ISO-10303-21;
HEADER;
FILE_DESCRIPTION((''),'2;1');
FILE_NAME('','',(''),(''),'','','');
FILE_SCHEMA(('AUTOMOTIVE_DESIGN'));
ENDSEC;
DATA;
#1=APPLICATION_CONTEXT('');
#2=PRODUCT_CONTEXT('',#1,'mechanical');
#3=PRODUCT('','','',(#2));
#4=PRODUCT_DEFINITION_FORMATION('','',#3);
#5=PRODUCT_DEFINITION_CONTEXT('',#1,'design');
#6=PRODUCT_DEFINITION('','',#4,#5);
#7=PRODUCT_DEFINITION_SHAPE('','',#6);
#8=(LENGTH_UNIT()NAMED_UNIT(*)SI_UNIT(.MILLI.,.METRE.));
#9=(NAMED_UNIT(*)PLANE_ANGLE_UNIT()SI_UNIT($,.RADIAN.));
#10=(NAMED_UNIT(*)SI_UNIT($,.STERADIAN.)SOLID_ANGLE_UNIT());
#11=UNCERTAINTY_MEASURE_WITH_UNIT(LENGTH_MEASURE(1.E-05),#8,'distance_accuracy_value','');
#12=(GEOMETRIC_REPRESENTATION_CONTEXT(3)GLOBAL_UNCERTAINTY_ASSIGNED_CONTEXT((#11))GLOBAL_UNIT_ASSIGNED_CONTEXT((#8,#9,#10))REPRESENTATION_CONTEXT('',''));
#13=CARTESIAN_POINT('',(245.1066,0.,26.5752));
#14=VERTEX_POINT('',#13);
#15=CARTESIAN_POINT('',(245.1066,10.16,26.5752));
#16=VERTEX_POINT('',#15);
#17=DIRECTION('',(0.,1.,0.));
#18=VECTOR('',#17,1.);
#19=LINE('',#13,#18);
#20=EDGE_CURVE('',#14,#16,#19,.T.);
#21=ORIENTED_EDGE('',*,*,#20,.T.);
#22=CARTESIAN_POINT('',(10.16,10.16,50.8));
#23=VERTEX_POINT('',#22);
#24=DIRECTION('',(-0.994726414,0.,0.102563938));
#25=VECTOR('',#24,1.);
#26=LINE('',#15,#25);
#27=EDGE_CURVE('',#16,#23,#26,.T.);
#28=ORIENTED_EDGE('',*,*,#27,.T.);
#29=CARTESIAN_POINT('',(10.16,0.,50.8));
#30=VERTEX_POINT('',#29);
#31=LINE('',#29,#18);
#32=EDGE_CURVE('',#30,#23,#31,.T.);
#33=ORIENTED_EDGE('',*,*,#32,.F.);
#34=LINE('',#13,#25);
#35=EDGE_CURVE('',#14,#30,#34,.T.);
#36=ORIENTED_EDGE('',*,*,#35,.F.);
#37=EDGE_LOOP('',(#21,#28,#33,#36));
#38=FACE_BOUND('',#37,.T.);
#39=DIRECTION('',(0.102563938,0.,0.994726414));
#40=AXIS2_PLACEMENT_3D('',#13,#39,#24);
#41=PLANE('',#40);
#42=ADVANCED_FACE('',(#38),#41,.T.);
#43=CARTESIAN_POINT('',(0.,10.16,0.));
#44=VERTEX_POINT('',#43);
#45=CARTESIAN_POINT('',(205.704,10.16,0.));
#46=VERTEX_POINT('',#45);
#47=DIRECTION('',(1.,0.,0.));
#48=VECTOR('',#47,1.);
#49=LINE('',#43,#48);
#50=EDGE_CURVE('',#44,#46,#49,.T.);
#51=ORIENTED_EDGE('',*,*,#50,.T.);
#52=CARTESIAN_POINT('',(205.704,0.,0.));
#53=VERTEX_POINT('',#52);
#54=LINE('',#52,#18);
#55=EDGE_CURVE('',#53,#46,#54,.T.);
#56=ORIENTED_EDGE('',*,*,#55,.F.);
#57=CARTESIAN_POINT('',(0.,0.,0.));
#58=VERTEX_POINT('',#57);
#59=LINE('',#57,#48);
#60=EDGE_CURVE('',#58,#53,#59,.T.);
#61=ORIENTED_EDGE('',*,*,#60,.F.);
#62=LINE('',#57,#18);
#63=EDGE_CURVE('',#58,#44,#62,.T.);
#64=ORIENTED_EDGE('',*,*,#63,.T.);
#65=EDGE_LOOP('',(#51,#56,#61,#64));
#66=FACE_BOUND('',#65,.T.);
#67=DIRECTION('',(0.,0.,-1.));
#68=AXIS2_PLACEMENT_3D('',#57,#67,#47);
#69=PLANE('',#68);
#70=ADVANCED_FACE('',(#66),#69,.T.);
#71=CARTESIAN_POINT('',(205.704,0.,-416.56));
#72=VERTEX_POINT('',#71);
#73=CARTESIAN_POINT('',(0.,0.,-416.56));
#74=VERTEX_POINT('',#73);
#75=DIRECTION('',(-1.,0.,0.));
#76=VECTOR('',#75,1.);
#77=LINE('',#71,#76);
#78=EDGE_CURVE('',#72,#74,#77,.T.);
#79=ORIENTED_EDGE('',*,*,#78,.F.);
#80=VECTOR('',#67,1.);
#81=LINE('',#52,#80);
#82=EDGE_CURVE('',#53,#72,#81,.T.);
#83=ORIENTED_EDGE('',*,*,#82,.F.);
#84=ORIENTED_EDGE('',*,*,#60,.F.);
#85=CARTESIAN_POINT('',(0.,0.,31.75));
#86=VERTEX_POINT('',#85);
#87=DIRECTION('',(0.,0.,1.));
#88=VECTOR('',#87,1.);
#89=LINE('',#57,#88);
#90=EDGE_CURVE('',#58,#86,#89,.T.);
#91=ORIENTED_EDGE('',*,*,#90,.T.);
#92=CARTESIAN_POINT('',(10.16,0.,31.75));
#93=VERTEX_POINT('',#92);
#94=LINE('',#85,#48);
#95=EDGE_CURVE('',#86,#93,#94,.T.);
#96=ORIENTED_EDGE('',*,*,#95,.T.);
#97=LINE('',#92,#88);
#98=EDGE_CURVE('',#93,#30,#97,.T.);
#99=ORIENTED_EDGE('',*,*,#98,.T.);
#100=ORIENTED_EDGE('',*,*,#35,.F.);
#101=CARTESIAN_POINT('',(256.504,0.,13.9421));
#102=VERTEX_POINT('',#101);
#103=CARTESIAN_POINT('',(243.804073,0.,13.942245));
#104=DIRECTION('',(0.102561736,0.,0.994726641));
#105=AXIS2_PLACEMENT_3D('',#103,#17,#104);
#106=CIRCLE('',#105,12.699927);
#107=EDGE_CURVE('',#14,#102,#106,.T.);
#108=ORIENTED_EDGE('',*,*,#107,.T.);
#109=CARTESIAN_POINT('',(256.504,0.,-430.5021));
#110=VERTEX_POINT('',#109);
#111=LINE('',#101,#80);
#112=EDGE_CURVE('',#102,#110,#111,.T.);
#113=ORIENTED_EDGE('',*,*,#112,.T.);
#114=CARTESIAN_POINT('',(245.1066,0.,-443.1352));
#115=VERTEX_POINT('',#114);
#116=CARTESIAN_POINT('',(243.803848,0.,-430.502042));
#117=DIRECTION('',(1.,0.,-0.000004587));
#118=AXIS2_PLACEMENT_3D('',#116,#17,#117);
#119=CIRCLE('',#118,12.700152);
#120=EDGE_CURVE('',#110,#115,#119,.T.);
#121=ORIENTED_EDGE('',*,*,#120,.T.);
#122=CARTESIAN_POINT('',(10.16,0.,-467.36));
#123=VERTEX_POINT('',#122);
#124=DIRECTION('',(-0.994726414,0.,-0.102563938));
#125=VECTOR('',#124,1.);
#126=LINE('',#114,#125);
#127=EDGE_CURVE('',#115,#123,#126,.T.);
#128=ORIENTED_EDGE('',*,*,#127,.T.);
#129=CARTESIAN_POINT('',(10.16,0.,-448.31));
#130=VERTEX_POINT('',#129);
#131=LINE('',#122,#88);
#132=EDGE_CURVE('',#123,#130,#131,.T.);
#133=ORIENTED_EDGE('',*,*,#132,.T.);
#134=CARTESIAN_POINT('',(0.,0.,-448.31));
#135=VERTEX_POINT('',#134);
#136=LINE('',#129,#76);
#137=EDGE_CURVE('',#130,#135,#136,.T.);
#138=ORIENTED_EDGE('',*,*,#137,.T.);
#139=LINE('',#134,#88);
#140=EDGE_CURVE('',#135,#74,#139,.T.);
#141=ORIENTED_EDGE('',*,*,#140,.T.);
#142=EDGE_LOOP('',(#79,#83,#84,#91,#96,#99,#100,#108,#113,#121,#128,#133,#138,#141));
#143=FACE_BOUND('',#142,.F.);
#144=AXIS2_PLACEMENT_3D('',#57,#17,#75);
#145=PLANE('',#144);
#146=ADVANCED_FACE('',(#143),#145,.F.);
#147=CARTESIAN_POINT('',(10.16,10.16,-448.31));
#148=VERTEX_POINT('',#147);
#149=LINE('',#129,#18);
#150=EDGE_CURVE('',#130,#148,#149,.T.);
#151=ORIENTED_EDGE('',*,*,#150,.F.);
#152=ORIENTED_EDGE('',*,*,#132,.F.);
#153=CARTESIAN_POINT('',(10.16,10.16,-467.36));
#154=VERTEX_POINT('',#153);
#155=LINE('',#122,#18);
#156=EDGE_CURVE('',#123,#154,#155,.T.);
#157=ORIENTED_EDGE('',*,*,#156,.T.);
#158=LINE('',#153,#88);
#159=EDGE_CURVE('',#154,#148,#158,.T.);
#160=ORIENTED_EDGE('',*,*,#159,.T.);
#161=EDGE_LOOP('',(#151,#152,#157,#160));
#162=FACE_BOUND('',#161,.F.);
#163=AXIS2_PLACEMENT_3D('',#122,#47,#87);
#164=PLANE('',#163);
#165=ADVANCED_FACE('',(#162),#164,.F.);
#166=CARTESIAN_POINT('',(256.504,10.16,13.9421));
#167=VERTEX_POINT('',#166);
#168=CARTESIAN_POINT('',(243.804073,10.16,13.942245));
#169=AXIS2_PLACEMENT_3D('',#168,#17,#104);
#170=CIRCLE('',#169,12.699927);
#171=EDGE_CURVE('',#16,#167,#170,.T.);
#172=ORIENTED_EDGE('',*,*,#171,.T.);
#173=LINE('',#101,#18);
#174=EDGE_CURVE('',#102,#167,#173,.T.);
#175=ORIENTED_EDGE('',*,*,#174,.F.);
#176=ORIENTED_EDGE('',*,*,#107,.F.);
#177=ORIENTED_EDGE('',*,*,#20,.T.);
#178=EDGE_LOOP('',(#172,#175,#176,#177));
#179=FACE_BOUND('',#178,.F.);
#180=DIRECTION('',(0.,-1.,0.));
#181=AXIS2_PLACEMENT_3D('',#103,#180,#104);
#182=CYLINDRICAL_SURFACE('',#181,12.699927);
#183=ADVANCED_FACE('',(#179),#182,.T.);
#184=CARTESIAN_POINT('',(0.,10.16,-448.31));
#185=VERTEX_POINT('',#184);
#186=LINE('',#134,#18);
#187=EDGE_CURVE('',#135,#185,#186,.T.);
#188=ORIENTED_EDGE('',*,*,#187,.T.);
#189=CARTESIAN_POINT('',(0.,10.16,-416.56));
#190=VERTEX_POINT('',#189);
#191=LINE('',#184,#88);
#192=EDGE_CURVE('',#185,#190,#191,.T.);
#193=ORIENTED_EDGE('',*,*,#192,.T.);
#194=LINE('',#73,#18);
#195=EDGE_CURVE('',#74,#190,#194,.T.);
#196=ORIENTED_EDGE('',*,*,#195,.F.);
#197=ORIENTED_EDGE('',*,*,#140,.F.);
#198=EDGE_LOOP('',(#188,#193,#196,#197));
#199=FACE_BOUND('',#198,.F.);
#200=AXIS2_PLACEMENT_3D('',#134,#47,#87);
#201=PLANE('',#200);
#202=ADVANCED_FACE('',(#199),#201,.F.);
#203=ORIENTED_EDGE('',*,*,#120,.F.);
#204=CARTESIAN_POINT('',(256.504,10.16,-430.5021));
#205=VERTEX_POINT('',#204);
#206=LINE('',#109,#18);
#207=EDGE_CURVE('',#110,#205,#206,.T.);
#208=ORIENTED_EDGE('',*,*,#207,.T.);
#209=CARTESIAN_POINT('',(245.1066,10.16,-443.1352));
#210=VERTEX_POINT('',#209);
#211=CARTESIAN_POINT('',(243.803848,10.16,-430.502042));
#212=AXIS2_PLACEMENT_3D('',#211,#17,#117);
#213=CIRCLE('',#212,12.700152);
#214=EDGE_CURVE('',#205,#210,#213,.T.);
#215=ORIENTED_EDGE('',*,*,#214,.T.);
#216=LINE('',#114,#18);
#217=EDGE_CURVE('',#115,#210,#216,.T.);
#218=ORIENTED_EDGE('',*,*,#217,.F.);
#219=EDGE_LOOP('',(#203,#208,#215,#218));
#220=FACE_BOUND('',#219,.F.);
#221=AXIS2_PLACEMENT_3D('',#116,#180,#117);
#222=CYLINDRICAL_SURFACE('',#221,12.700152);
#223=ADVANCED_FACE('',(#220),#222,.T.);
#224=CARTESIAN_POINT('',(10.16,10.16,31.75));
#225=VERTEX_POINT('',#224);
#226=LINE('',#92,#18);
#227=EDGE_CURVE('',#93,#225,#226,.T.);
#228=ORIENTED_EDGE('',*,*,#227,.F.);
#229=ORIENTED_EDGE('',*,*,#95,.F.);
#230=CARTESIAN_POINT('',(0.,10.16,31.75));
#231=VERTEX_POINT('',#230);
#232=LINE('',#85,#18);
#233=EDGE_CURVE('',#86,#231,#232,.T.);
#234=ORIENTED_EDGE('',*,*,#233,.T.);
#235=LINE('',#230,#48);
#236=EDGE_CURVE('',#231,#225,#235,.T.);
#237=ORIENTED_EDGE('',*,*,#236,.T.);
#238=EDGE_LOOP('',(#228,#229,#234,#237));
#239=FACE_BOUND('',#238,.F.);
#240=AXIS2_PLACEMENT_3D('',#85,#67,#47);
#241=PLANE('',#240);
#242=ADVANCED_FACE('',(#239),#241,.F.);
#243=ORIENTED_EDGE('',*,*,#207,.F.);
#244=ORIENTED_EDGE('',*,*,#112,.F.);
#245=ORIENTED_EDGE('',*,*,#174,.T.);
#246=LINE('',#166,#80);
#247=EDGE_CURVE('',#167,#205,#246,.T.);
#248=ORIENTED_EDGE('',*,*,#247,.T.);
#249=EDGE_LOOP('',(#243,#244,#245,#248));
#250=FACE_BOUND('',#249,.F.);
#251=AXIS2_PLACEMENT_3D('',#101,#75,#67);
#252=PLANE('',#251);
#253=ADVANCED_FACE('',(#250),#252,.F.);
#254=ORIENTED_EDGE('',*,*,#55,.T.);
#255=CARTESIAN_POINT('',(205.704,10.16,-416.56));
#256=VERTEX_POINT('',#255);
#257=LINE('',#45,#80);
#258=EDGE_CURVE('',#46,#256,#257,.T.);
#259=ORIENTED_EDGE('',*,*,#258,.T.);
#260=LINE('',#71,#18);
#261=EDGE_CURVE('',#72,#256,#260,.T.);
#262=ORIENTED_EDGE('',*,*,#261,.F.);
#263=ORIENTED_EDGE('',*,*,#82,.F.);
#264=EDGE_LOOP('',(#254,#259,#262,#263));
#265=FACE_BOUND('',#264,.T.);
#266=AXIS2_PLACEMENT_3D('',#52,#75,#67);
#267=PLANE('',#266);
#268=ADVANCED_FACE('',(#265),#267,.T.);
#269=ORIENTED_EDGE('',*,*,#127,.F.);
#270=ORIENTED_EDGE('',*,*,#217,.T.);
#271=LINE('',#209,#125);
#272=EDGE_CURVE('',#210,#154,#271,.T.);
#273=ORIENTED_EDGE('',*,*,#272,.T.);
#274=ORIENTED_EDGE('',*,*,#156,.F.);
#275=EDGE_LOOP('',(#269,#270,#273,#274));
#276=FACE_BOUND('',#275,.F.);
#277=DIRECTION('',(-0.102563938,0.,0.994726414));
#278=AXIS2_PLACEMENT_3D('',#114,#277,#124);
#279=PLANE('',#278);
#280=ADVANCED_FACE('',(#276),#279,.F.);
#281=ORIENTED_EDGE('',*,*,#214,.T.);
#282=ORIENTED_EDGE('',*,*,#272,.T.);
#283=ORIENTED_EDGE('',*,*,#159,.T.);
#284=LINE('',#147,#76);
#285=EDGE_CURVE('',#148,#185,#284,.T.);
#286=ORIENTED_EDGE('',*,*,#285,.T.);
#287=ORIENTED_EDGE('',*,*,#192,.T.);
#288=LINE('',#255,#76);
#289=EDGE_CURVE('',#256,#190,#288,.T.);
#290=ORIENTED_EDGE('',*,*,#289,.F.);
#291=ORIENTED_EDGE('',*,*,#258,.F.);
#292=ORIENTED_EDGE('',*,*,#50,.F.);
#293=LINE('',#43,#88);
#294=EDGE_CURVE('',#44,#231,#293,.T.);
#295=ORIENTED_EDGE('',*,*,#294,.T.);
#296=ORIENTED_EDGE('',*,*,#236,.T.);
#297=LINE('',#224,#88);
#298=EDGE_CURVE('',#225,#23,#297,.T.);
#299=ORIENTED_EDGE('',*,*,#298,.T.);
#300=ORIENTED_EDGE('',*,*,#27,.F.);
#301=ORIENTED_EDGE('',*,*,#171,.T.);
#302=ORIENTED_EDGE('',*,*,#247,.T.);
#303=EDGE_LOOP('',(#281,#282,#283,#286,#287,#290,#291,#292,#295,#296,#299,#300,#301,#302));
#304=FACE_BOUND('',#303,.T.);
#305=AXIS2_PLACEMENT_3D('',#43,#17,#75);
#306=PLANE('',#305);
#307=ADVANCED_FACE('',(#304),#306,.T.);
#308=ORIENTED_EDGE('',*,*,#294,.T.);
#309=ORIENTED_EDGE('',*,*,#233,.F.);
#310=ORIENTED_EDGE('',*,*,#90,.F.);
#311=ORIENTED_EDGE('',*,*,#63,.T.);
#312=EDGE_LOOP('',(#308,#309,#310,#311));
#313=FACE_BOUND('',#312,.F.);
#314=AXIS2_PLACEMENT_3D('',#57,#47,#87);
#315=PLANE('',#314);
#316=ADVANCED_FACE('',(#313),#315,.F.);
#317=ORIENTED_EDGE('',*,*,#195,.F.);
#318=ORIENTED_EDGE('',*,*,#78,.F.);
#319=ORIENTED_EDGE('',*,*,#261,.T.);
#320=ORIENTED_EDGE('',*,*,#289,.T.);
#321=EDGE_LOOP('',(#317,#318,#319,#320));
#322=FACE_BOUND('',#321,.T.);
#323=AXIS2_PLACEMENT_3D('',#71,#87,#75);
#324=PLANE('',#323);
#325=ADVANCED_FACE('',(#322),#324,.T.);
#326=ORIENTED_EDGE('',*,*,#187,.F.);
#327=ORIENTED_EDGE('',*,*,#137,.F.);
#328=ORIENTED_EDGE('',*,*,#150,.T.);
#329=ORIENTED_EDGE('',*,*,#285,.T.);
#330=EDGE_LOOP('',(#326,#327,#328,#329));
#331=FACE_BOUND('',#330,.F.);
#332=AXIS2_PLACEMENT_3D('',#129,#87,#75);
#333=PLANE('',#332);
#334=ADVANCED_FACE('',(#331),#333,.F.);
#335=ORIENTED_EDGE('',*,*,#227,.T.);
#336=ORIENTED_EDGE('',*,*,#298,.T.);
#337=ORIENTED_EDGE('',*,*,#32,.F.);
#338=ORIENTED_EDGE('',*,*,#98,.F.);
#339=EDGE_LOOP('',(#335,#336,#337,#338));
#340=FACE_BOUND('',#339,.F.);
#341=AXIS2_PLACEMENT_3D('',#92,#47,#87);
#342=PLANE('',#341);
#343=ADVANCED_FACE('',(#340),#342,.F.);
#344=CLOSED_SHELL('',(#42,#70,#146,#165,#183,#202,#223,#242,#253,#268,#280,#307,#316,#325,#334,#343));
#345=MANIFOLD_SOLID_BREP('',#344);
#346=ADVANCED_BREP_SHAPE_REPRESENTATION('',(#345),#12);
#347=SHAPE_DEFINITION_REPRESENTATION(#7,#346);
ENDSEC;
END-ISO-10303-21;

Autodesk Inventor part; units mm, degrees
ref_plane "YZ Plane" through (0, 0, 0) normal (1, 0, 0) x (0, 1, 0)
ref_plane "XZ Plane" through (0, 0, 0) normal (0, 1, 0) x (-1, 0, 0)
ref_plane "XY Plane" through (0, 0, 0) normal (0, 0, 1) x (1, 0, 0)
sketch "Sketch1" plane through (0, 0, 0) normal (0, 1, 0) x (-1, 0, 0)
  line L0 (0, 0) -> (0, 31.75)
  line L1 (0, 31.75) -> (-10.16, 31.75)
  line L2 (-10.16, 31.75) -> (-10.16, 50.8)
  line L3 (-256.504, 13.9421) -> (-256.504, -430.5021)
  line L4 (-10.16, -467.36) -> (-10.16, -448.31)
  line L5 (-10.16, -448.31) -> (0, -448.31)
  line L6 (0, -448.31) -> (0, -416.56)
  line L7 (0, 0) -> (-205.704, 0)
  line L8 (-205.704, 0) -> (-205.704, -416.56)
  line L9 (-205.704, -416.56) -> (0, -416.56)
  line L10 (-245.1066, -443.1352) -> (-10.16, -467.36)
  line L11 (-245.1066, 26.5752) -> (-10.16, 50.8)
  arc A0 (-245.1066, 26.5752) -> (-256.504, 13.9421) centre (-243.804, 13.9421) ccw
  arc A1 (-256.504, -430.5021) -> (-245.1066, -443.1352) centre (-243.804, -430.5021) ccw
  point P0 (-256.504, 25.4)
  point P1 (-256.504, -441.96)
  dimension "d0" = 31.75
  dimension "d1" = 19.05
  dimension "d2" = 247.65
  dimension "d4" = 19.05
  dimension "d5" = 31.75
  dimension "d6" = 50.8
  dimension "d7" = 10.16
  dimension "d8" = 247.65
  dimension "d9" = 10.16
  dimension "d10" = 25.4
  dimension "d11" = 25.4
  dimension "d12" = 12.7
extrude "Extrusion1" add sketch "Sketch1" along normal blind 10.16
properties part number "horazontal battery suport"
